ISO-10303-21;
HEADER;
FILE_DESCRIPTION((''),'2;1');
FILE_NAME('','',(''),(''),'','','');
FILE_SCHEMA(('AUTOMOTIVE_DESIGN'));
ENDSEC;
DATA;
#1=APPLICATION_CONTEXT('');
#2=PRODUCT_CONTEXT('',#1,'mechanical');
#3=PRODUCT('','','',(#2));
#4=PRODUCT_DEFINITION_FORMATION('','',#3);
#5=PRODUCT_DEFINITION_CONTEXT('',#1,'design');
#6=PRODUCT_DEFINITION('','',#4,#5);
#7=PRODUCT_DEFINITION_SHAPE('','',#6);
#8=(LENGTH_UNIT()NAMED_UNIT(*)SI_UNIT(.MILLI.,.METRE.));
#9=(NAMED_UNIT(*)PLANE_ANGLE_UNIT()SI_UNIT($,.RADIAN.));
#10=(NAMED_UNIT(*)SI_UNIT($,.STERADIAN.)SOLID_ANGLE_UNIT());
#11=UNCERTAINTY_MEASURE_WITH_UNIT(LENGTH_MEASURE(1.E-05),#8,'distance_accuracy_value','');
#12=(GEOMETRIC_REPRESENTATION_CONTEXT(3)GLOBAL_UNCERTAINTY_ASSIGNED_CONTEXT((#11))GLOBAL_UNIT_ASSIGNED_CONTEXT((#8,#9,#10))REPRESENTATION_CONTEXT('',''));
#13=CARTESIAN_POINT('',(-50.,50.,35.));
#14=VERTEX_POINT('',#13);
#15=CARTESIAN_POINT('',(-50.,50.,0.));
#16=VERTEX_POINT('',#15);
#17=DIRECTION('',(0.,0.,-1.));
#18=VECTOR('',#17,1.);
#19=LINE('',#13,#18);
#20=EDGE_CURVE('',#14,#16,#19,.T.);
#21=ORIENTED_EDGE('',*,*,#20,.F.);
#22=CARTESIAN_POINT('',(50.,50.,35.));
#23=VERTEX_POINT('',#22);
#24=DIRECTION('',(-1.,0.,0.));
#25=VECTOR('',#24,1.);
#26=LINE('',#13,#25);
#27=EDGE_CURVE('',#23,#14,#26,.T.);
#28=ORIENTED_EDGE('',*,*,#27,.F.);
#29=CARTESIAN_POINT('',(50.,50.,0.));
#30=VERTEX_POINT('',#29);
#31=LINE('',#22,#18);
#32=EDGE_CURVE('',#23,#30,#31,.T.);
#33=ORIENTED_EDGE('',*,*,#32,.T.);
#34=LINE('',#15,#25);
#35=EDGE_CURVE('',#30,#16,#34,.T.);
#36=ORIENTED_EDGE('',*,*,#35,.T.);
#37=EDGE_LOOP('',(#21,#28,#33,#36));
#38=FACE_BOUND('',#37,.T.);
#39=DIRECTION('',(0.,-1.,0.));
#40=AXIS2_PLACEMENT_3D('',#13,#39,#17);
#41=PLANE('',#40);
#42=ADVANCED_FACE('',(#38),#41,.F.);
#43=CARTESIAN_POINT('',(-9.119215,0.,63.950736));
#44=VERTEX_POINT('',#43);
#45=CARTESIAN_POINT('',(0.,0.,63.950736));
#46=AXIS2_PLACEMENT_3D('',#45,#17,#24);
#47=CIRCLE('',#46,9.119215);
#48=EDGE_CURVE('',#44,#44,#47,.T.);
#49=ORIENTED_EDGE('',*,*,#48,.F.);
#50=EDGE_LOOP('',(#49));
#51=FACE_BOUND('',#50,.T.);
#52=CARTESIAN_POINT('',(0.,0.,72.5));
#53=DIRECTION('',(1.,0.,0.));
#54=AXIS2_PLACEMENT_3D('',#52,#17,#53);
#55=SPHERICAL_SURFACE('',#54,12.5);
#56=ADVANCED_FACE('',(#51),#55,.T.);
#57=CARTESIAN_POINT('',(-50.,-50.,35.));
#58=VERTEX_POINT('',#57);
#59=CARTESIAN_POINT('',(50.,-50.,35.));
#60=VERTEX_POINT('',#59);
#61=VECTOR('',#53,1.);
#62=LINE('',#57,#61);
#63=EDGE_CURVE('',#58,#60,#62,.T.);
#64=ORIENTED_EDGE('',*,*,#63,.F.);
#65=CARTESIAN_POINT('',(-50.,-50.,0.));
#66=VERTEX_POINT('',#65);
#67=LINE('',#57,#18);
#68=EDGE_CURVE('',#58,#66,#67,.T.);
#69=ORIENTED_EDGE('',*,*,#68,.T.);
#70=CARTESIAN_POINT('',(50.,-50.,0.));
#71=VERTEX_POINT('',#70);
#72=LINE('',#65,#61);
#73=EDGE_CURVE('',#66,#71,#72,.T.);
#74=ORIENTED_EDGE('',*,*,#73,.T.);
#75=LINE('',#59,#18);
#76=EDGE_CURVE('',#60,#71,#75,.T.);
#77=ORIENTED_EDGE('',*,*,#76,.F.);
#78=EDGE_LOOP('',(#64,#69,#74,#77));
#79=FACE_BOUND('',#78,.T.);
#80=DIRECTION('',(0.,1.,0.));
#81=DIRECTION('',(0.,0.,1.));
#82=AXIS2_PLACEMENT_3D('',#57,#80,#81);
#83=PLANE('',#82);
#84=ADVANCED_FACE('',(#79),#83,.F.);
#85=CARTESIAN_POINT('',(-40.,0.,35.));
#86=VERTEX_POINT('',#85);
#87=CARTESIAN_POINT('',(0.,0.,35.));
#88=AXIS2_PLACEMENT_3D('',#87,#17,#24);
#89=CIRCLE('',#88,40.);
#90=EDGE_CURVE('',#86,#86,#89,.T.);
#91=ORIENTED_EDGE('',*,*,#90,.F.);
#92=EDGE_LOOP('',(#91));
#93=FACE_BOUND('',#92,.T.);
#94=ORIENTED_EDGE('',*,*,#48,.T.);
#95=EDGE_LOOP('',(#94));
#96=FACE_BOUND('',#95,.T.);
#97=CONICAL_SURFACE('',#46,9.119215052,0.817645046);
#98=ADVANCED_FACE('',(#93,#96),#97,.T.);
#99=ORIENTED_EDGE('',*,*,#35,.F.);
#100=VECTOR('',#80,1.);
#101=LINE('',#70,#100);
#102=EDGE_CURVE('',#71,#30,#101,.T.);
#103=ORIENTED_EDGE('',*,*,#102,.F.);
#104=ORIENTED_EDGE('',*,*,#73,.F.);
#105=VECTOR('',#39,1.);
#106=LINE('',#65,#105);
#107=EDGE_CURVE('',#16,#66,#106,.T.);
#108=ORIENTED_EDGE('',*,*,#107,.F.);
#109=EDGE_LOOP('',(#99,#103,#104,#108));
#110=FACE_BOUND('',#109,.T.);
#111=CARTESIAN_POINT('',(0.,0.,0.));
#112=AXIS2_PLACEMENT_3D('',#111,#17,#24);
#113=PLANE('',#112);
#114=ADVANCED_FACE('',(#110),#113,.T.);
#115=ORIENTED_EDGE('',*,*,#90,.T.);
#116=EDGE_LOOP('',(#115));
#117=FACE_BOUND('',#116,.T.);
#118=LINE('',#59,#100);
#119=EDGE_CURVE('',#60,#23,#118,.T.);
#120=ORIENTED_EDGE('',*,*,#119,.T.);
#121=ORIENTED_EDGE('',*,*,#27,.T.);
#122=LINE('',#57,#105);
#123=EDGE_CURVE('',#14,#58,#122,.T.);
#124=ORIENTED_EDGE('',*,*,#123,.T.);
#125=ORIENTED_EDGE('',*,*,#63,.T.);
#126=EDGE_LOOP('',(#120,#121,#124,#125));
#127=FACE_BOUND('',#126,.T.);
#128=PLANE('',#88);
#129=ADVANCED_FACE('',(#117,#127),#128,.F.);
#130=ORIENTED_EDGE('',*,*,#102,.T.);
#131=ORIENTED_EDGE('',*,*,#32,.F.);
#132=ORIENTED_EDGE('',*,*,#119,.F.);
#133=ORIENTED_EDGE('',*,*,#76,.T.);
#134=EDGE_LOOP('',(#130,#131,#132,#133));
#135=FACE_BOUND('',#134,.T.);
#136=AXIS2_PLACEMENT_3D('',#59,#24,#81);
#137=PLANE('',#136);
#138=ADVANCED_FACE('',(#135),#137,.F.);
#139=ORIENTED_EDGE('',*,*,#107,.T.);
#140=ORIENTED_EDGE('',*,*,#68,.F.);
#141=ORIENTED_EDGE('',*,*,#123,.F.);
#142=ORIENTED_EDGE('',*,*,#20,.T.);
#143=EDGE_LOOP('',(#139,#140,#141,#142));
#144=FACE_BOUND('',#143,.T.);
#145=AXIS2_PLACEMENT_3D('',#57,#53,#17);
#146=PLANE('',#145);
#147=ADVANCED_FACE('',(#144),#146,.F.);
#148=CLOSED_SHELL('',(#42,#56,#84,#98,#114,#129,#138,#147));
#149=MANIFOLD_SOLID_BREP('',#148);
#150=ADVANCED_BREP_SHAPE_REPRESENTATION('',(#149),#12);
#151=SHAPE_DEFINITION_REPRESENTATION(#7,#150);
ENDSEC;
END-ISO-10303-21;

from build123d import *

# Parameters (mm, degrees)
SKETCH1_W           = 100
SKETCH1_H           = 100
BOSS_EXTRUDE1_DEPTH = 35


with BuildPart() as part:
    # Sketch1 → Boss-Extrude1 (new body)
    with BuildSketch(Plane.XY):
        Rectangle(SKETCH1_W, SKETCH1_H)
    extrude(amount=BOSS_EXTRUDE1_DEPTH)

    # Sketch2 → Revolve1 (revolve)
    with BuildSketch(Plane(origin=(0, 0, 0), x_dir=(1, 0, 0), z_dir=(0, 1, 0))):
        with BuildLine():
            Line((0, -35), (0, -72.5))
            Line((0, -72.5), (0, -85))
            ThreePointArc((0, -85), (11.469869254, -77.469114539), (9.119215052, -63.950735889))
            Line((9.119215052, -63.950735889), (40, -35))
            Line((40, -35), (0, -35))
        make_face()
    revolve(axis=Axis((0, 0, 35), (0, 0, 1)))


solid = part.part
